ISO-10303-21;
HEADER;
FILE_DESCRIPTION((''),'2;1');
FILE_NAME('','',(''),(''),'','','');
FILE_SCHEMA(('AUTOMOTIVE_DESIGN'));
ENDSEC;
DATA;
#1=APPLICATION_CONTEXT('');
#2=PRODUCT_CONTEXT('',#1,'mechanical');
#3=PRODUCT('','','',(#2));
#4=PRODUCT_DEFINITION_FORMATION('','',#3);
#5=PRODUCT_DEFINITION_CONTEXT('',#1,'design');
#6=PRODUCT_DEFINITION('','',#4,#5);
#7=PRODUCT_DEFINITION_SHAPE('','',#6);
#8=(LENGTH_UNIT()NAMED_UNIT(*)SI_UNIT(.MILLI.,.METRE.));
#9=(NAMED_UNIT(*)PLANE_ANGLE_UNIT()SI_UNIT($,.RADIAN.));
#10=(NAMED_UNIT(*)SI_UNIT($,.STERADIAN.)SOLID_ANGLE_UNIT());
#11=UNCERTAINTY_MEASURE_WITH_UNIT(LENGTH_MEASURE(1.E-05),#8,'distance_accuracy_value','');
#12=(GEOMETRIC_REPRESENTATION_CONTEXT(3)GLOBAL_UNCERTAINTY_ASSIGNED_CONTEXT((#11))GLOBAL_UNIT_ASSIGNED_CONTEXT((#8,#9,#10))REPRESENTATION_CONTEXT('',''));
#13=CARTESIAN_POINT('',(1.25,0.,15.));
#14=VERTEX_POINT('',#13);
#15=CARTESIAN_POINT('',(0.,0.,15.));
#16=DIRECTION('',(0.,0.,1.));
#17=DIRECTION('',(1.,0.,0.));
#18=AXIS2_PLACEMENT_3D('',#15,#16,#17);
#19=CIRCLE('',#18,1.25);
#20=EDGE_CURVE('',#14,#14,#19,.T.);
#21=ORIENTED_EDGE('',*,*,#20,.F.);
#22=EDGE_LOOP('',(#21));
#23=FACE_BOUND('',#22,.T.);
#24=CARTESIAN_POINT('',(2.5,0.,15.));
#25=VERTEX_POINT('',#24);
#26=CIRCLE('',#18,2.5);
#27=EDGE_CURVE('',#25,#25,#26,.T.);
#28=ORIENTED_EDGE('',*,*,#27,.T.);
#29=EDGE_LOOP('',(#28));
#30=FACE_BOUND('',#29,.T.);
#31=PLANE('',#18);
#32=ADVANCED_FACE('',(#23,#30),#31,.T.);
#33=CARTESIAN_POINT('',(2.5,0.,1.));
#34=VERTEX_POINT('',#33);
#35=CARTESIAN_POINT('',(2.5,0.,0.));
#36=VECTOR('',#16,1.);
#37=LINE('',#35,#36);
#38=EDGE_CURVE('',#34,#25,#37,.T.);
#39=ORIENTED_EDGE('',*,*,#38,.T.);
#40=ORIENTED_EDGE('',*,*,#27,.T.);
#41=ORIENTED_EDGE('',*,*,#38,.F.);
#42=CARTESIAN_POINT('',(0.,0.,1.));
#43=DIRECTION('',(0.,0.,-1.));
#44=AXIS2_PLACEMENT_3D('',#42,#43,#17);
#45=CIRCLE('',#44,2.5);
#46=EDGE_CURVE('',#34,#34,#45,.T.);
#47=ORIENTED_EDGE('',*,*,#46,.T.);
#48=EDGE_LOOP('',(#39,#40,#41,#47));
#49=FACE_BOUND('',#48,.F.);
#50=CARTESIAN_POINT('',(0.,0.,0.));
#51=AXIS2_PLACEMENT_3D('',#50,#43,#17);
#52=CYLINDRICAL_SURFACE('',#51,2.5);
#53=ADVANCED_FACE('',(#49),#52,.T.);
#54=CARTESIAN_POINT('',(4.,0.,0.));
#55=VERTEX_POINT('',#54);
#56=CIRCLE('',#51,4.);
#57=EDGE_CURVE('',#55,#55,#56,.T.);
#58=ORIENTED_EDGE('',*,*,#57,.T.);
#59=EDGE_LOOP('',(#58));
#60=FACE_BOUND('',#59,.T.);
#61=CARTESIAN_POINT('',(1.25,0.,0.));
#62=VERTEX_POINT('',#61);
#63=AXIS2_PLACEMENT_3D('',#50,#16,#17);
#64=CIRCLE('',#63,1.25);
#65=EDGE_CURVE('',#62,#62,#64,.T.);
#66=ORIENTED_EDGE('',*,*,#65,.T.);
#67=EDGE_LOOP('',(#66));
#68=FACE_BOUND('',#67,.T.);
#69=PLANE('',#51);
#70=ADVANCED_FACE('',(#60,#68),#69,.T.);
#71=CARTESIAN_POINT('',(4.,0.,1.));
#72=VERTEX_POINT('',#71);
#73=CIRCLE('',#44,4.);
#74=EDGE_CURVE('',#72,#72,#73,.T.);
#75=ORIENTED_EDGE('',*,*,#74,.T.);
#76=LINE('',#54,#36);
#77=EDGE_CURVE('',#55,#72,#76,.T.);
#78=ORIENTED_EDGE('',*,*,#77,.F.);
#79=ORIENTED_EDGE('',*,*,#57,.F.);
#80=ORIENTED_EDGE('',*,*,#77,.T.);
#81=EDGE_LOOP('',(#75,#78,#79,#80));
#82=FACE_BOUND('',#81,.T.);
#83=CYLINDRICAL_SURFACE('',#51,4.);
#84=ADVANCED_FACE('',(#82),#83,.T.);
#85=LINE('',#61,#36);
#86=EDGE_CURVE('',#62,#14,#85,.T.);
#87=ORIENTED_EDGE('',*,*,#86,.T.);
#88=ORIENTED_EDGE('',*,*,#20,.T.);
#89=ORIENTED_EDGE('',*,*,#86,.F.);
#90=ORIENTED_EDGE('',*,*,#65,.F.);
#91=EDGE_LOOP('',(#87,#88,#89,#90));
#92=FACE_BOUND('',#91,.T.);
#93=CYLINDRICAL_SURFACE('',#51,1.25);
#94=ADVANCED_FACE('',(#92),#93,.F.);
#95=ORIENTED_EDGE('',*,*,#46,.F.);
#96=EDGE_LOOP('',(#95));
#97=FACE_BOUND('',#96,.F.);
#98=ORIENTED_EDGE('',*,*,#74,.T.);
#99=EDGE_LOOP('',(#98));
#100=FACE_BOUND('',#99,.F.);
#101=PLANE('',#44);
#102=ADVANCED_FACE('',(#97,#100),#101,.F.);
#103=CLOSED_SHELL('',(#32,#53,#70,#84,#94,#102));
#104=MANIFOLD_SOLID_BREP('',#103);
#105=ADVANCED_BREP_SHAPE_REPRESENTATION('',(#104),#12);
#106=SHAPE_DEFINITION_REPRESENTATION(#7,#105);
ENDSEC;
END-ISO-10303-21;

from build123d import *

# Parameters (mm, degrees)
F0_R     = 2.5
F0_R_2   = 1.25
F1_DEPTH = 15
F2_R     = 4
F2_R_2   = 2.5
F3_DEPTH = 1


with BuildPart() as f1:
    # F0 (on Top) → F1 (new body)
    with BuildSketch(Plane.XY):
        Circle(F0_R)
        Circle(F0_R_2, mode=Mode.SUBTRACT)
    extrude(amount=F1_DEPTH)

    # F2 (on face) → F3 (join)
    with BuildSketch(Plane(origin=(0, 0, 0), x_dir=(1, 0, 0), z_dir=(0, 0, -1))):
        Circle(F2_R)
        Circle(F2_R_2, mode=Mode.SUBTRACT)
    extrude(amount=-F3_DEPTH)


solid = f1.part
